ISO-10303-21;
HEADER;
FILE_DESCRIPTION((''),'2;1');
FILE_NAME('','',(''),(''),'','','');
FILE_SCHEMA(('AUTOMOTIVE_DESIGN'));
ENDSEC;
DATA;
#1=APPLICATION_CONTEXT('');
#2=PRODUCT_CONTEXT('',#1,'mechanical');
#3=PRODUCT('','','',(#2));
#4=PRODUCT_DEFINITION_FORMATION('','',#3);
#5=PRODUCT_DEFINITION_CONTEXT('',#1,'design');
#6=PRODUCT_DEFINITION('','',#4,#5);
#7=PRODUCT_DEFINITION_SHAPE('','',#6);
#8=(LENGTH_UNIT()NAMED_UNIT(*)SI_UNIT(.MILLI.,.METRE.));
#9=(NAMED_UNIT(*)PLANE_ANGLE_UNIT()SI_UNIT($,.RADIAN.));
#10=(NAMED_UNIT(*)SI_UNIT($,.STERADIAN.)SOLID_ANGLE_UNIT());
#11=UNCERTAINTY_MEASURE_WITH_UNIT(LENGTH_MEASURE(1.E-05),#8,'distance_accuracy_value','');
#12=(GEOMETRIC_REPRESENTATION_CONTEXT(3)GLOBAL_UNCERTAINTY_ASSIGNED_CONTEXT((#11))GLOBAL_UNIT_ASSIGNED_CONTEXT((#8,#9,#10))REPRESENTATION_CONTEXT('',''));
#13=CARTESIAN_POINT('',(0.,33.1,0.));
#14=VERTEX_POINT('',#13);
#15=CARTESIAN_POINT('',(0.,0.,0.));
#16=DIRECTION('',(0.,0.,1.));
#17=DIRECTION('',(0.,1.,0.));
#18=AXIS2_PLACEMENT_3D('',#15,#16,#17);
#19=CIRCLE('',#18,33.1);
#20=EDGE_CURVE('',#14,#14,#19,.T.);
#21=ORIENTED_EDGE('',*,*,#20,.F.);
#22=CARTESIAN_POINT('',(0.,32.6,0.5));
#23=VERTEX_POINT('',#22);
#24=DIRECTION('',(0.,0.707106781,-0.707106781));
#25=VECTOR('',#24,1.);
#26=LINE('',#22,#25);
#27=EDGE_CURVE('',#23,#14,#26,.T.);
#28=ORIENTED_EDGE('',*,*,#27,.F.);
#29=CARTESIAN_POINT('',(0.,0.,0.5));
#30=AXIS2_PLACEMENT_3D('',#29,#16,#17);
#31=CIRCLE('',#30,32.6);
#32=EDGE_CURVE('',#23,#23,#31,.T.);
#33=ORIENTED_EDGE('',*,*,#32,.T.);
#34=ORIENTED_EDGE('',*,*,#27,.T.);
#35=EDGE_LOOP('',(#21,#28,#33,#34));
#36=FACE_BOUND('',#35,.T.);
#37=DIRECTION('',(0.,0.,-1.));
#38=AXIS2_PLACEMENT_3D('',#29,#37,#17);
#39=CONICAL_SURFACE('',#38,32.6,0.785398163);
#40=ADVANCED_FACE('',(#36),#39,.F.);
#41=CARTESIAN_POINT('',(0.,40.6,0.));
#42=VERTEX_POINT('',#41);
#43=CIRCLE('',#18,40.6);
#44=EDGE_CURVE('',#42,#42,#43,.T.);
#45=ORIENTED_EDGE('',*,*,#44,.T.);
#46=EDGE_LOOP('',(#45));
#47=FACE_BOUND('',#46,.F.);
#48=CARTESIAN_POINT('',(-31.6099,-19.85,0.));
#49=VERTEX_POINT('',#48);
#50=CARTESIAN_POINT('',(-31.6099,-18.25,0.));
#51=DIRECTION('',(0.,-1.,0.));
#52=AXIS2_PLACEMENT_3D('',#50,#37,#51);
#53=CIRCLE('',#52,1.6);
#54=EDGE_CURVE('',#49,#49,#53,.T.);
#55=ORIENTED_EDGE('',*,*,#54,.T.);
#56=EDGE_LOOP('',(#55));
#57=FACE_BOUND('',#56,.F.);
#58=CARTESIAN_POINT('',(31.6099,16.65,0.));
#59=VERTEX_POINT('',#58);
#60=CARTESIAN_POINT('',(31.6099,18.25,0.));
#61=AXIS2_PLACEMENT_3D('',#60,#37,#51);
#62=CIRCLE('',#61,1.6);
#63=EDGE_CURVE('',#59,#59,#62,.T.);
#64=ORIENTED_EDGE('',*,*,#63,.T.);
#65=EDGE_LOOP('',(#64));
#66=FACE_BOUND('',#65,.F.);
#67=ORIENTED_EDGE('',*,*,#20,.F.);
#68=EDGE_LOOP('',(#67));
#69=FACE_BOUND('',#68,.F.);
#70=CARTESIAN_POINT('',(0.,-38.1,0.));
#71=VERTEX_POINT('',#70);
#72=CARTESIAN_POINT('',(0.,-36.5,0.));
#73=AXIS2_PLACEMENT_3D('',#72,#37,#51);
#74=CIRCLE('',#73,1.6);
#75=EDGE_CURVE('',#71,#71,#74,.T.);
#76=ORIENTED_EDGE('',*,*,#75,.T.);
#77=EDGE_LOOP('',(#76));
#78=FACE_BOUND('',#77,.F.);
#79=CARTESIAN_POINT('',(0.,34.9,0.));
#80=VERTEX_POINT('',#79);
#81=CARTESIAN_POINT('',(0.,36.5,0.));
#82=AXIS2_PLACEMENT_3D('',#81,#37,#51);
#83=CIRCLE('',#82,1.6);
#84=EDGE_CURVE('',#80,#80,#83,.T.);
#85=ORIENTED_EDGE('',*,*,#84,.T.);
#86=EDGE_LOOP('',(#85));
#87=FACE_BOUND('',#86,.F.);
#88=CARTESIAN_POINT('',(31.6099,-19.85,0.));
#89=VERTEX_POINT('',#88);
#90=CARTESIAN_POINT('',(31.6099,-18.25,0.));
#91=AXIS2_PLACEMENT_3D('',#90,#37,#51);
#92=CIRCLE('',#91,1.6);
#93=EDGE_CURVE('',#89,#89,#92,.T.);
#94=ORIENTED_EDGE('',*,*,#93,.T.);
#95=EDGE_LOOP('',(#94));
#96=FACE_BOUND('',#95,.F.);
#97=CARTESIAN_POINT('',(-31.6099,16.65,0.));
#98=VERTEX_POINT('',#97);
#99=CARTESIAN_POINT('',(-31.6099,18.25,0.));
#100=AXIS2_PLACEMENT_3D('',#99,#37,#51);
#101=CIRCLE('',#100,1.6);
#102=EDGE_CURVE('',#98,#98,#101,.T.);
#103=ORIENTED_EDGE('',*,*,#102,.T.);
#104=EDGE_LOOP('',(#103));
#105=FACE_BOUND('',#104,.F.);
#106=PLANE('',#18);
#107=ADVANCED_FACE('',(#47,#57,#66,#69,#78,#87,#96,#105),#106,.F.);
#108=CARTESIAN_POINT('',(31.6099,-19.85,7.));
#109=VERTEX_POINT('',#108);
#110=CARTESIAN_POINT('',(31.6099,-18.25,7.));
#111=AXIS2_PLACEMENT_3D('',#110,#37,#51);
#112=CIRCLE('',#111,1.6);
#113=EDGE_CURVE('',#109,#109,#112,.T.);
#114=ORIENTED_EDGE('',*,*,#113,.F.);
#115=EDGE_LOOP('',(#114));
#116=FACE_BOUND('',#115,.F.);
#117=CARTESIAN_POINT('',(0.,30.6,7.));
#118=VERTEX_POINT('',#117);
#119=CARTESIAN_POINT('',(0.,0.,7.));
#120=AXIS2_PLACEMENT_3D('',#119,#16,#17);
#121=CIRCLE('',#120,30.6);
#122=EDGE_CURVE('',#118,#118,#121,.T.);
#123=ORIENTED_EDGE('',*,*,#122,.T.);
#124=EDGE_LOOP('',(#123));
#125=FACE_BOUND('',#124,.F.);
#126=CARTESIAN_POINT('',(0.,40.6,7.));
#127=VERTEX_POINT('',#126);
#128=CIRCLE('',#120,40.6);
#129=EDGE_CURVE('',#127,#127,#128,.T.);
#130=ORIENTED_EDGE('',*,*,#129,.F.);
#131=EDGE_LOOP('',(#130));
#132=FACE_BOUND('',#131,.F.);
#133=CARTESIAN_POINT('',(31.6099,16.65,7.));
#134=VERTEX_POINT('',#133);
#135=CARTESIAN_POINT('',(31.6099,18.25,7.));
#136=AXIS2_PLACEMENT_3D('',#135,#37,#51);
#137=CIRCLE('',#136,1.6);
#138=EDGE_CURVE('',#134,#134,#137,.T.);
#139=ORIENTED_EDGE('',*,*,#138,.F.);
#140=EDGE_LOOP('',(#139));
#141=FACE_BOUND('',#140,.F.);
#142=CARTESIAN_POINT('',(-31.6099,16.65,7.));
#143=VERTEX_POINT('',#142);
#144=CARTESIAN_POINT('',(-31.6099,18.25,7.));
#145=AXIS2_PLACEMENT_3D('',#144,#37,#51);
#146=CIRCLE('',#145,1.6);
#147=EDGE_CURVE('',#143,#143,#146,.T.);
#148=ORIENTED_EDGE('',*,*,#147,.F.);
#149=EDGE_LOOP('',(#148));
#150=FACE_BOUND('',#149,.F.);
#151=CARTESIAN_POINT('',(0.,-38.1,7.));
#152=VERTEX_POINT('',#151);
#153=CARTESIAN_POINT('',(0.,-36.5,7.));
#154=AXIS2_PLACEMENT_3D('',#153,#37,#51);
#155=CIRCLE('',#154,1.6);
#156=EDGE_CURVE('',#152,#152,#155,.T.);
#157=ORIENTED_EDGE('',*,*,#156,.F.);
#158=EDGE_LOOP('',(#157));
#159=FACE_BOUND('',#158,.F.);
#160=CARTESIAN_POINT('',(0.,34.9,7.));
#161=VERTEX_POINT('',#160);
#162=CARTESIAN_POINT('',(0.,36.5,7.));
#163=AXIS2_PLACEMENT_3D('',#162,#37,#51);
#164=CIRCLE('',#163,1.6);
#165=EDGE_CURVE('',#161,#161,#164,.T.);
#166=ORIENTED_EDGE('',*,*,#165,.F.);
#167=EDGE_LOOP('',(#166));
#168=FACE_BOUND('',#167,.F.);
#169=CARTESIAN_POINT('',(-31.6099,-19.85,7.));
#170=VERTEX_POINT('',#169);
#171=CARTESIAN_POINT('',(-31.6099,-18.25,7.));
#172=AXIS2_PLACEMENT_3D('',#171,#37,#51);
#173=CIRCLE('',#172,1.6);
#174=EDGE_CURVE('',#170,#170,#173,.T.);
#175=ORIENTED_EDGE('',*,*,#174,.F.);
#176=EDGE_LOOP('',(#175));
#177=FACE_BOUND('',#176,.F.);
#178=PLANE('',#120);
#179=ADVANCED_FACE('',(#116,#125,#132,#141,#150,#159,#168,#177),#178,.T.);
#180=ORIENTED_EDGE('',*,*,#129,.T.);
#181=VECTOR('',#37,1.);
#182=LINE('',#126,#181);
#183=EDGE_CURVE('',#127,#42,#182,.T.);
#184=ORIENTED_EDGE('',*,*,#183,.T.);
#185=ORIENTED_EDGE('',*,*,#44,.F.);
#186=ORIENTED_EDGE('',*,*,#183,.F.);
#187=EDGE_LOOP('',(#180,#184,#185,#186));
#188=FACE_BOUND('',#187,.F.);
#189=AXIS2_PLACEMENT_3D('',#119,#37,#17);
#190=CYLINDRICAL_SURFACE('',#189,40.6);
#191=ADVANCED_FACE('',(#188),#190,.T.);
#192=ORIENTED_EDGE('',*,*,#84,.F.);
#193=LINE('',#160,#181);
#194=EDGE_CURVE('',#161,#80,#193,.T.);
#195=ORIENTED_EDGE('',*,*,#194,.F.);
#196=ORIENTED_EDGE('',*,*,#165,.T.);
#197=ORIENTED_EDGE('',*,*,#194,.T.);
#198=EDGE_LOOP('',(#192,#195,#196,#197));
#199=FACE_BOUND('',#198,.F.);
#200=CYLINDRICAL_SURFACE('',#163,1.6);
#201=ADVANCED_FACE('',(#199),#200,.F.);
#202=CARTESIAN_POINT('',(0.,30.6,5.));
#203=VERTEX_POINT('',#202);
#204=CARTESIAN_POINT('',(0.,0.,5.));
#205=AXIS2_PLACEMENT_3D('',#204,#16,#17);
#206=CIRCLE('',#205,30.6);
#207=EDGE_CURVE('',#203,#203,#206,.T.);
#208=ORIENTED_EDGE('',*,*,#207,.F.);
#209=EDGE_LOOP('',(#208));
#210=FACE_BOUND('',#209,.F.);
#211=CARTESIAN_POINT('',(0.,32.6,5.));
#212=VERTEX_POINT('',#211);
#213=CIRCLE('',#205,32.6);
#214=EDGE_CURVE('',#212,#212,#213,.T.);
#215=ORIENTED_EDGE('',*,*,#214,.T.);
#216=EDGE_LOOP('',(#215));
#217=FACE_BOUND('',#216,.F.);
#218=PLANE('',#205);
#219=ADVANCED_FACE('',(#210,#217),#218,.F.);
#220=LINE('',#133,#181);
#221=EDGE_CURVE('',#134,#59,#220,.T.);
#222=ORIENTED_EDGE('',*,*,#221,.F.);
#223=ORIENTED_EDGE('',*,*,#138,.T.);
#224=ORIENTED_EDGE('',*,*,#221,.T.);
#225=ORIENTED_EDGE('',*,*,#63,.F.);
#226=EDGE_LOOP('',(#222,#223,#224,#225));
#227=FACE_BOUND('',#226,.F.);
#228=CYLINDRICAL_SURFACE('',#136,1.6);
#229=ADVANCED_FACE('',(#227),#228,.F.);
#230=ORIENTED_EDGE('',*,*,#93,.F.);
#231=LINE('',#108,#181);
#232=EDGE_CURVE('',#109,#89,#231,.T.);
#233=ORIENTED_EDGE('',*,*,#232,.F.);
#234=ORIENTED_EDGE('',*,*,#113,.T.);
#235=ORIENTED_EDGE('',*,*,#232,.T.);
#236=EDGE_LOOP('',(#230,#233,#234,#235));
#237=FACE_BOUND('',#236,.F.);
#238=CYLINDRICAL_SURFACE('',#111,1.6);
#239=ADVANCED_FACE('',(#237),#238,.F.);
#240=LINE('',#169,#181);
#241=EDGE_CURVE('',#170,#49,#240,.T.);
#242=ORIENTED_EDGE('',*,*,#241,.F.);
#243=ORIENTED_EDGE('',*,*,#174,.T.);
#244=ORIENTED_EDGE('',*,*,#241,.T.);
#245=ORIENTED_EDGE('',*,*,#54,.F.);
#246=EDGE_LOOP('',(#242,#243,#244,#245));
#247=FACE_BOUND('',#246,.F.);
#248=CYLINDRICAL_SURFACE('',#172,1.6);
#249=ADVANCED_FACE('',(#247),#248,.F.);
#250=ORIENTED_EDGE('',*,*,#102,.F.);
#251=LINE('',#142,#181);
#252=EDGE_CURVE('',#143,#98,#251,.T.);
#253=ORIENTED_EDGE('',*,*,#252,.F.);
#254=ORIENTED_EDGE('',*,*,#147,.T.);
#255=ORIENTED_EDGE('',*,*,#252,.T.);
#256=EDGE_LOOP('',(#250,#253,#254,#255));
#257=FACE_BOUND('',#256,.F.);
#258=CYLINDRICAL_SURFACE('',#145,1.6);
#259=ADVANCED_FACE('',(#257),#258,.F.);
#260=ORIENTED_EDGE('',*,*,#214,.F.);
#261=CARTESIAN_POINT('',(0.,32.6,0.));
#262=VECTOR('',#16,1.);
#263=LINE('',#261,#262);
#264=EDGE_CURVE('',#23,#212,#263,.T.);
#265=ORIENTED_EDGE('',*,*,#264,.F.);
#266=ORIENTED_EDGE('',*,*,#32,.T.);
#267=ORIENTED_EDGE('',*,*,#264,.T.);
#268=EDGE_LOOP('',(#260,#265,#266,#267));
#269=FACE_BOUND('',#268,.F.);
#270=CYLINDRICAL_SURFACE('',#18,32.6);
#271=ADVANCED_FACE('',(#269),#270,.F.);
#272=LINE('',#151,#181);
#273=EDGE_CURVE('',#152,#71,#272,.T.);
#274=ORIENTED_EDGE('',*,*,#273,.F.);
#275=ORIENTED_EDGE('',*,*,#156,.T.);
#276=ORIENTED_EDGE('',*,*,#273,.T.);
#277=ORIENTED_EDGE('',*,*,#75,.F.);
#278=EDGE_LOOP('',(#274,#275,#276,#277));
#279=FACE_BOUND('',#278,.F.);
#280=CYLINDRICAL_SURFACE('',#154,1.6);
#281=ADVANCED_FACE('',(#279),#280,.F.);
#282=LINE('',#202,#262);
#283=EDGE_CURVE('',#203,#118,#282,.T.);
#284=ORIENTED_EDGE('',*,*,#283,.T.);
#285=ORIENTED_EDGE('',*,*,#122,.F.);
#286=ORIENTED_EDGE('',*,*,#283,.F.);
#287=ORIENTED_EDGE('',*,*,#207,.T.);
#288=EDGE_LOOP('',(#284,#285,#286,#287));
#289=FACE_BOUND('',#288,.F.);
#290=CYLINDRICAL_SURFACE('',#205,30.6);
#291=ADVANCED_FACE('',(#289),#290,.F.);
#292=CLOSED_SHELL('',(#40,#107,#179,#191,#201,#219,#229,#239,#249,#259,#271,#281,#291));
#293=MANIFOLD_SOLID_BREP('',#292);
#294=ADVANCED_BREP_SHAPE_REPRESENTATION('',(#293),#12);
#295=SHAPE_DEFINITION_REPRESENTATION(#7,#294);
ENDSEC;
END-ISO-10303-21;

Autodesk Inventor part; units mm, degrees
ref_plane "YZ Plane" through (0, 0, 0) normal (1, 0, 0) x (0, 1, 0)
ref_plane "XZ Plane" through (0, 0, 0) normal (0, 1, 0) x (-1, 0, 0)
ref_plane "XY Plane" through (0, 0, 0) normal (0, 0, 1) x (1, 0, 0)
sketch "スケッチ1" plane through (0, 0, 0) normal (1, 0, 0) x (0, 1, 0)
  line L0 (32.6, 0) -> (32.6, 5)
  line L1 (32.6, 5) -> (30.6, 5)
  line L2 (30.6, 5) -> (30.6, 7)
  line L3 (30.6, 7) -> (40.6, 7)
  line L4 (40.6, 7) -> (40.6, 0)
  line L5 (40.6, 0) -> (32.6, 0)
  line L6 (0, -1.4) -> (0, 8.4) projected
  point P0 (0, 0)
  dimension "d0" = 32.6
  dimension "d1" = 5
  dimension "d2" = 2
  dimension "d3" = 2
  dimension "d22" = 8
revolve "回転1" add sketch "スケッチ1" angle 360 about axis through (0, 0, -10) along (0, 0, 1)
sketch "スケッチ2" plane through (0, 0, 7) normal (0, 0, 1) x (1, 0, 0)
  circle A0 centre (0, 0) radius 36.5
  point P0 (0, 36.5)
  point P1 (-31.6099, 18.25)
  point P2 (-31.6099, -18.25)
  point P3 (0, -36.5)
  point P4 (31.6099, -18.25)
  point P5 (31.6099, 18.25)
  dimension "d6" = 73
  dimension "d16" = 360
hole "穴1" at (31.6099, 18.25, 7) at (31.6099, -18.25, 7) at (0, -36.5, 7) at (-31.6099, -18.25, 7) at (-31.6099, 18.25, 7) at (0, 36.5, 7) direction (0, 0, -1) diameter 3.2 end through all clearance for "Socket Head Cap Screw" size "M3" standard "Ansi Metric M Profile"
chamfer "面取り1" distance 0.5 angle 45 1 edges at (0, -32.6, 0)
properties part number "base2" material "ABS プラスチック"
